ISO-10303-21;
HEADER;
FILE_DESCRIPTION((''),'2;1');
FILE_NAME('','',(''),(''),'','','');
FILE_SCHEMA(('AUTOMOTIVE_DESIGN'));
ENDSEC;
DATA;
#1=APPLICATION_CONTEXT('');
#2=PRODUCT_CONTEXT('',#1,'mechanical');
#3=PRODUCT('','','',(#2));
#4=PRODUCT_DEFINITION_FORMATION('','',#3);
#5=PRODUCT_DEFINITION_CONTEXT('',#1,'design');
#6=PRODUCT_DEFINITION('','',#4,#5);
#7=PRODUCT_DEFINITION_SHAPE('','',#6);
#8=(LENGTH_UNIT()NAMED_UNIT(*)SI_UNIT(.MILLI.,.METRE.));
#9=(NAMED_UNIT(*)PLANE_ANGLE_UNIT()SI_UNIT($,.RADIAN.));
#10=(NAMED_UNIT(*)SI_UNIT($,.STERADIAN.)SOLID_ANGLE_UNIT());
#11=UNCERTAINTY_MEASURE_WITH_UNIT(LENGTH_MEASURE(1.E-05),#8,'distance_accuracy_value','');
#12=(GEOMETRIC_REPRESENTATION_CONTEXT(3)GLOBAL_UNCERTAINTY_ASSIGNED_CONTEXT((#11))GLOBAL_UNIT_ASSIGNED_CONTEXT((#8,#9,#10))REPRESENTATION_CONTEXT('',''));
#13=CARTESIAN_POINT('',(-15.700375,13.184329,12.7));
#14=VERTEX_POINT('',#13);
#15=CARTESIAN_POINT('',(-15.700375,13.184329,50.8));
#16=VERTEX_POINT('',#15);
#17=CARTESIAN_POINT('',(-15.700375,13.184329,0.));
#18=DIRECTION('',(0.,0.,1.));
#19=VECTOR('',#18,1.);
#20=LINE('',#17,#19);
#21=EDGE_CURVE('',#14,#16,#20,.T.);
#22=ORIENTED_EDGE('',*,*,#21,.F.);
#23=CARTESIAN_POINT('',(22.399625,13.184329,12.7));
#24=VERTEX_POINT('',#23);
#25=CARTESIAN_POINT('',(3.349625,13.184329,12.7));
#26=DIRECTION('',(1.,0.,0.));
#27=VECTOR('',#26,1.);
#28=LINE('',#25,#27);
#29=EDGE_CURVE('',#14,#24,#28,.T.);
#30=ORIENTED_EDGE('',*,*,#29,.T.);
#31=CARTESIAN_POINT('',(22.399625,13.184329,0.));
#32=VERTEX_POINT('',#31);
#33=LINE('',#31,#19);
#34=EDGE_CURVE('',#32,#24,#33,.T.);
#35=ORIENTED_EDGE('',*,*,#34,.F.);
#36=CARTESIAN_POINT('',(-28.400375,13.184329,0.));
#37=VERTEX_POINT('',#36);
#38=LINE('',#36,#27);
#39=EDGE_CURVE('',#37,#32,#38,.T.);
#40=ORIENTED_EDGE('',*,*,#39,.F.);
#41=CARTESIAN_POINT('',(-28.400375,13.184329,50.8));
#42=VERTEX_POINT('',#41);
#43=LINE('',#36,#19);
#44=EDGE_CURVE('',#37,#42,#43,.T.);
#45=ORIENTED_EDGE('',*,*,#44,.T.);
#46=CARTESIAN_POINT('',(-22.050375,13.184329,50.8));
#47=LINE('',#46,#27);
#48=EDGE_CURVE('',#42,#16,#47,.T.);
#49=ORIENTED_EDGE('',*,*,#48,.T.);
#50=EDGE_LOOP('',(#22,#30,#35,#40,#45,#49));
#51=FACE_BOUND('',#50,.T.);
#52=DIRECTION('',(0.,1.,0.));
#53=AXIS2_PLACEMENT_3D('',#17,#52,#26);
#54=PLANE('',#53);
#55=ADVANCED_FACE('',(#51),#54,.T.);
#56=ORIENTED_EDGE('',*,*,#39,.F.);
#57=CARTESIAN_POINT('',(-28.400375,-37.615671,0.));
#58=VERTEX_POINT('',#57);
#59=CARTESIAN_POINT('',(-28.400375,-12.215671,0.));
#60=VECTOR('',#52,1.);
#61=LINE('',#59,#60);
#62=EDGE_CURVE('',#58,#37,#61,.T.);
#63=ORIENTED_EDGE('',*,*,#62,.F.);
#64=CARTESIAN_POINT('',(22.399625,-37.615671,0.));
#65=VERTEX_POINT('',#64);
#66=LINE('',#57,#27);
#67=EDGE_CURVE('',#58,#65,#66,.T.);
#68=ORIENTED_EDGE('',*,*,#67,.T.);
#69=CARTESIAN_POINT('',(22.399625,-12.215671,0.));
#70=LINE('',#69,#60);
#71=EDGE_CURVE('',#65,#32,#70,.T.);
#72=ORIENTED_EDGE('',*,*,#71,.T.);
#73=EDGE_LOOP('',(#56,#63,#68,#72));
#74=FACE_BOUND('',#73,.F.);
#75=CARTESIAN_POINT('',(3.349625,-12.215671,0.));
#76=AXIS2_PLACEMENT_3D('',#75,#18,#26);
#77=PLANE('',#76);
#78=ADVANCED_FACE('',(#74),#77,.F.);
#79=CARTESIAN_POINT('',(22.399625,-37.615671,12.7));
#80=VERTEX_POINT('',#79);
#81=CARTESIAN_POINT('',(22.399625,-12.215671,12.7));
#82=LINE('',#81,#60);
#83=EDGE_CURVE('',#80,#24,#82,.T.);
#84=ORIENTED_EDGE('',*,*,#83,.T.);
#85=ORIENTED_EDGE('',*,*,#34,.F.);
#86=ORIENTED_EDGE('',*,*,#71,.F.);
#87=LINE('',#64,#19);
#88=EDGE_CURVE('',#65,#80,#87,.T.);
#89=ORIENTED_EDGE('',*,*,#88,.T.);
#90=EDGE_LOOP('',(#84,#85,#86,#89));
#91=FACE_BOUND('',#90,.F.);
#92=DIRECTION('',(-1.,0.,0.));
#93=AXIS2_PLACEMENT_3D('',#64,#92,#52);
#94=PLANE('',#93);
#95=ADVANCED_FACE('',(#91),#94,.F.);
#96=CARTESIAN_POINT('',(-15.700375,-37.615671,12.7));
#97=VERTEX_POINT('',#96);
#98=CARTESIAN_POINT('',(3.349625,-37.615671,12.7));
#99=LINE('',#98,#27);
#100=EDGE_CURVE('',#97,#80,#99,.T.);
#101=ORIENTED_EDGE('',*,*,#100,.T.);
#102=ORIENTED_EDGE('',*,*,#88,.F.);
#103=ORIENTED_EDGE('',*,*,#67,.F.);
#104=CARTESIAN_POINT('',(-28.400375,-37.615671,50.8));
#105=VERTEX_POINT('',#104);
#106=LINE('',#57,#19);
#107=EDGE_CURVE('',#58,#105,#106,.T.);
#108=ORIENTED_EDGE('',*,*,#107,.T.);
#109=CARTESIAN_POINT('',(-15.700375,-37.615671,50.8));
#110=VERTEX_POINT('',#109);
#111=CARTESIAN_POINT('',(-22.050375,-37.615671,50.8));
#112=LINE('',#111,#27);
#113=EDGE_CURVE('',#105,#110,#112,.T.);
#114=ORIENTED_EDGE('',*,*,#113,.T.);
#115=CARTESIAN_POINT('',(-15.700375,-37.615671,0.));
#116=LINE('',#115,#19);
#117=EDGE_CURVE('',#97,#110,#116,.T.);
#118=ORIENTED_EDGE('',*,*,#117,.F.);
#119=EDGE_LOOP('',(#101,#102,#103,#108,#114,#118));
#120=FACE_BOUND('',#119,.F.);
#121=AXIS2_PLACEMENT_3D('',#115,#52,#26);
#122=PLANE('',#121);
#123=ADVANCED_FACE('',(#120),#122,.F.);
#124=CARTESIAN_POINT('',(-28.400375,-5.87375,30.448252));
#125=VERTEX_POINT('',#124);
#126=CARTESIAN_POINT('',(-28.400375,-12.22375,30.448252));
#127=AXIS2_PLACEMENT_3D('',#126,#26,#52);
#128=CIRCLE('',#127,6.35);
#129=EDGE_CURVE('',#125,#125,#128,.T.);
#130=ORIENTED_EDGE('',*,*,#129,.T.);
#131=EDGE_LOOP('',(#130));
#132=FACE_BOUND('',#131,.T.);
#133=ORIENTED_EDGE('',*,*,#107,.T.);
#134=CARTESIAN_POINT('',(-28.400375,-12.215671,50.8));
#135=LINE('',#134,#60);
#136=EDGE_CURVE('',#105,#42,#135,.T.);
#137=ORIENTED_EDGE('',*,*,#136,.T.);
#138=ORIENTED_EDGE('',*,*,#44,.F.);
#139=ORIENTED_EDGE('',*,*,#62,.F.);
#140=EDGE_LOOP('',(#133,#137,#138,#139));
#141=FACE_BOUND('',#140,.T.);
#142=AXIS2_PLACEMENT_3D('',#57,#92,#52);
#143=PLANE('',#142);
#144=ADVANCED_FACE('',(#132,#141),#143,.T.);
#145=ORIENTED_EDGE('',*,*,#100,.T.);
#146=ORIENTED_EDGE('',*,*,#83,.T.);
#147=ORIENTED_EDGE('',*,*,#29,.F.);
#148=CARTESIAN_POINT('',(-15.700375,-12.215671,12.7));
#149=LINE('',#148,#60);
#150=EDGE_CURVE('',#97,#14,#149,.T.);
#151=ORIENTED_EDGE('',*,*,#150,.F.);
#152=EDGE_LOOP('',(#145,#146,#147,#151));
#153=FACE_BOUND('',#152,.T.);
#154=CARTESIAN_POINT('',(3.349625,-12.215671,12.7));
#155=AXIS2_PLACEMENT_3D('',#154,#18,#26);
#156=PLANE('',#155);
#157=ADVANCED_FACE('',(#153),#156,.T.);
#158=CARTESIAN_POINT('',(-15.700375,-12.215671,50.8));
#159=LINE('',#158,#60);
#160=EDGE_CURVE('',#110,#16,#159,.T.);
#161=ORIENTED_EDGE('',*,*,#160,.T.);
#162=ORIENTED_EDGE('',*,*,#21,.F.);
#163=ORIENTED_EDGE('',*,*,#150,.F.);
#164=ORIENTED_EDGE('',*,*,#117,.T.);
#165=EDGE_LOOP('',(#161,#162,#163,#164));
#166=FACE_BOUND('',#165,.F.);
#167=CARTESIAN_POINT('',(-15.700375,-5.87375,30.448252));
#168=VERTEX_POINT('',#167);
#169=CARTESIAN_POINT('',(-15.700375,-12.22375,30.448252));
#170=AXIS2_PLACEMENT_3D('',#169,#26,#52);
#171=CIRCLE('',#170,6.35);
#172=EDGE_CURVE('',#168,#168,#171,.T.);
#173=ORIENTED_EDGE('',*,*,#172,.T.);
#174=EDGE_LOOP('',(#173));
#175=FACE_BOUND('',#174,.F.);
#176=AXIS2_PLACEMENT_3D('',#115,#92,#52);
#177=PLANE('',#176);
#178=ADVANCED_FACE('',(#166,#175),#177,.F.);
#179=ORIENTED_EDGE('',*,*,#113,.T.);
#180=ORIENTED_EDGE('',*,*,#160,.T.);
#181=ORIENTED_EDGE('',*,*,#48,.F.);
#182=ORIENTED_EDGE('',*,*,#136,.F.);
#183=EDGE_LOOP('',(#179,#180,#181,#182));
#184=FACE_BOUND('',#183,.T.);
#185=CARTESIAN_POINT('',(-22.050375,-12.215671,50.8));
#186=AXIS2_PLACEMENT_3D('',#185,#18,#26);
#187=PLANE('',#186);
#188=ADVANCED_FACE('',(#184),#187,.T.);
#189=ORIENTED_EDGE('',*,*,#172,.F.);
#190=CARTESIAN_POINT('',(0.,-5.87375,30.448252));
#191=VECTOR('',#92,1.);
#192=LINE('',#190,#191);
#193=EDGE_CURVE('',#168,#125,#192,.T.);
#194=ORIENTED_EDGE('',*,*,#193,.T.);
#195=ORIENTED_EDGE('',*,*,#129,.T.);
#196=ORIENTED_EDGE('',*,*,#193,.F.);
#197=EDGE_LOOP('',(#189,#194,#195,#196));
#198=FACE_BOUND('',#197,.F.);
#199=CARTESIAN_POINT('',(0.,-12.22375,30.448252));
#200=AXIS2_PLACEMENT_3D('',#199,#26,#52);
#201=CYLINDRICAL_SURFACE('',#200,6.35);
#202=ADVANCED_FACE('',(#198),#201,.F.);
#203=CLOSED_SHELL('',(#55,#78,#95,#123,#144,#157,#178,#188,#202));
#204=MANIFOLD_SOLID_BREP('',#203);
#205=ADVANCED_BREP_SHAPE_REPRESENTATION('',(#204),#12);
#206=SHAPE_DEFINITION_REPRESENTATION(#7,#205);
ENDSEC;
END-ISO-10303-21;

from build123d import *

# Parameters (mm, degrees)
F0_W     = 12.7
F0_H     = 50.8
F1_DEPTH = 50.8
F0_W_2   = 38.1
F2_DEPTH = 12.7
F3_R     = 6.35
F4_DEPTH = 49.784


with BuildPart() as f1:
    # F0 (on Top) → F1 (new body)
    with BuildSketch(Plane.XY):
        with Locations((-22.050375, -12.215671)):
            Rectangle(F0_W, F0_H)
    extrude(amount=F1_DEPTH)

    # F0 (on Top) → F2 (join)
    with BuildSketch(Plane.XY):
        with Locations((3.349625, -12.215671)):
            Rectangle(F0_W_2, F0_H)
    extrude(amount=F2_DEPTH)

    # F3 (on Right) → F4 (cut)
    with BuildSketch(Plane.YZ):
        with Locations((-12.22375, 30.448252)):
            Circle(F3_R)
    extrude(amount=-F4_DEPTH, mode=Mode.SUBTRACT)


solid = f1.part
